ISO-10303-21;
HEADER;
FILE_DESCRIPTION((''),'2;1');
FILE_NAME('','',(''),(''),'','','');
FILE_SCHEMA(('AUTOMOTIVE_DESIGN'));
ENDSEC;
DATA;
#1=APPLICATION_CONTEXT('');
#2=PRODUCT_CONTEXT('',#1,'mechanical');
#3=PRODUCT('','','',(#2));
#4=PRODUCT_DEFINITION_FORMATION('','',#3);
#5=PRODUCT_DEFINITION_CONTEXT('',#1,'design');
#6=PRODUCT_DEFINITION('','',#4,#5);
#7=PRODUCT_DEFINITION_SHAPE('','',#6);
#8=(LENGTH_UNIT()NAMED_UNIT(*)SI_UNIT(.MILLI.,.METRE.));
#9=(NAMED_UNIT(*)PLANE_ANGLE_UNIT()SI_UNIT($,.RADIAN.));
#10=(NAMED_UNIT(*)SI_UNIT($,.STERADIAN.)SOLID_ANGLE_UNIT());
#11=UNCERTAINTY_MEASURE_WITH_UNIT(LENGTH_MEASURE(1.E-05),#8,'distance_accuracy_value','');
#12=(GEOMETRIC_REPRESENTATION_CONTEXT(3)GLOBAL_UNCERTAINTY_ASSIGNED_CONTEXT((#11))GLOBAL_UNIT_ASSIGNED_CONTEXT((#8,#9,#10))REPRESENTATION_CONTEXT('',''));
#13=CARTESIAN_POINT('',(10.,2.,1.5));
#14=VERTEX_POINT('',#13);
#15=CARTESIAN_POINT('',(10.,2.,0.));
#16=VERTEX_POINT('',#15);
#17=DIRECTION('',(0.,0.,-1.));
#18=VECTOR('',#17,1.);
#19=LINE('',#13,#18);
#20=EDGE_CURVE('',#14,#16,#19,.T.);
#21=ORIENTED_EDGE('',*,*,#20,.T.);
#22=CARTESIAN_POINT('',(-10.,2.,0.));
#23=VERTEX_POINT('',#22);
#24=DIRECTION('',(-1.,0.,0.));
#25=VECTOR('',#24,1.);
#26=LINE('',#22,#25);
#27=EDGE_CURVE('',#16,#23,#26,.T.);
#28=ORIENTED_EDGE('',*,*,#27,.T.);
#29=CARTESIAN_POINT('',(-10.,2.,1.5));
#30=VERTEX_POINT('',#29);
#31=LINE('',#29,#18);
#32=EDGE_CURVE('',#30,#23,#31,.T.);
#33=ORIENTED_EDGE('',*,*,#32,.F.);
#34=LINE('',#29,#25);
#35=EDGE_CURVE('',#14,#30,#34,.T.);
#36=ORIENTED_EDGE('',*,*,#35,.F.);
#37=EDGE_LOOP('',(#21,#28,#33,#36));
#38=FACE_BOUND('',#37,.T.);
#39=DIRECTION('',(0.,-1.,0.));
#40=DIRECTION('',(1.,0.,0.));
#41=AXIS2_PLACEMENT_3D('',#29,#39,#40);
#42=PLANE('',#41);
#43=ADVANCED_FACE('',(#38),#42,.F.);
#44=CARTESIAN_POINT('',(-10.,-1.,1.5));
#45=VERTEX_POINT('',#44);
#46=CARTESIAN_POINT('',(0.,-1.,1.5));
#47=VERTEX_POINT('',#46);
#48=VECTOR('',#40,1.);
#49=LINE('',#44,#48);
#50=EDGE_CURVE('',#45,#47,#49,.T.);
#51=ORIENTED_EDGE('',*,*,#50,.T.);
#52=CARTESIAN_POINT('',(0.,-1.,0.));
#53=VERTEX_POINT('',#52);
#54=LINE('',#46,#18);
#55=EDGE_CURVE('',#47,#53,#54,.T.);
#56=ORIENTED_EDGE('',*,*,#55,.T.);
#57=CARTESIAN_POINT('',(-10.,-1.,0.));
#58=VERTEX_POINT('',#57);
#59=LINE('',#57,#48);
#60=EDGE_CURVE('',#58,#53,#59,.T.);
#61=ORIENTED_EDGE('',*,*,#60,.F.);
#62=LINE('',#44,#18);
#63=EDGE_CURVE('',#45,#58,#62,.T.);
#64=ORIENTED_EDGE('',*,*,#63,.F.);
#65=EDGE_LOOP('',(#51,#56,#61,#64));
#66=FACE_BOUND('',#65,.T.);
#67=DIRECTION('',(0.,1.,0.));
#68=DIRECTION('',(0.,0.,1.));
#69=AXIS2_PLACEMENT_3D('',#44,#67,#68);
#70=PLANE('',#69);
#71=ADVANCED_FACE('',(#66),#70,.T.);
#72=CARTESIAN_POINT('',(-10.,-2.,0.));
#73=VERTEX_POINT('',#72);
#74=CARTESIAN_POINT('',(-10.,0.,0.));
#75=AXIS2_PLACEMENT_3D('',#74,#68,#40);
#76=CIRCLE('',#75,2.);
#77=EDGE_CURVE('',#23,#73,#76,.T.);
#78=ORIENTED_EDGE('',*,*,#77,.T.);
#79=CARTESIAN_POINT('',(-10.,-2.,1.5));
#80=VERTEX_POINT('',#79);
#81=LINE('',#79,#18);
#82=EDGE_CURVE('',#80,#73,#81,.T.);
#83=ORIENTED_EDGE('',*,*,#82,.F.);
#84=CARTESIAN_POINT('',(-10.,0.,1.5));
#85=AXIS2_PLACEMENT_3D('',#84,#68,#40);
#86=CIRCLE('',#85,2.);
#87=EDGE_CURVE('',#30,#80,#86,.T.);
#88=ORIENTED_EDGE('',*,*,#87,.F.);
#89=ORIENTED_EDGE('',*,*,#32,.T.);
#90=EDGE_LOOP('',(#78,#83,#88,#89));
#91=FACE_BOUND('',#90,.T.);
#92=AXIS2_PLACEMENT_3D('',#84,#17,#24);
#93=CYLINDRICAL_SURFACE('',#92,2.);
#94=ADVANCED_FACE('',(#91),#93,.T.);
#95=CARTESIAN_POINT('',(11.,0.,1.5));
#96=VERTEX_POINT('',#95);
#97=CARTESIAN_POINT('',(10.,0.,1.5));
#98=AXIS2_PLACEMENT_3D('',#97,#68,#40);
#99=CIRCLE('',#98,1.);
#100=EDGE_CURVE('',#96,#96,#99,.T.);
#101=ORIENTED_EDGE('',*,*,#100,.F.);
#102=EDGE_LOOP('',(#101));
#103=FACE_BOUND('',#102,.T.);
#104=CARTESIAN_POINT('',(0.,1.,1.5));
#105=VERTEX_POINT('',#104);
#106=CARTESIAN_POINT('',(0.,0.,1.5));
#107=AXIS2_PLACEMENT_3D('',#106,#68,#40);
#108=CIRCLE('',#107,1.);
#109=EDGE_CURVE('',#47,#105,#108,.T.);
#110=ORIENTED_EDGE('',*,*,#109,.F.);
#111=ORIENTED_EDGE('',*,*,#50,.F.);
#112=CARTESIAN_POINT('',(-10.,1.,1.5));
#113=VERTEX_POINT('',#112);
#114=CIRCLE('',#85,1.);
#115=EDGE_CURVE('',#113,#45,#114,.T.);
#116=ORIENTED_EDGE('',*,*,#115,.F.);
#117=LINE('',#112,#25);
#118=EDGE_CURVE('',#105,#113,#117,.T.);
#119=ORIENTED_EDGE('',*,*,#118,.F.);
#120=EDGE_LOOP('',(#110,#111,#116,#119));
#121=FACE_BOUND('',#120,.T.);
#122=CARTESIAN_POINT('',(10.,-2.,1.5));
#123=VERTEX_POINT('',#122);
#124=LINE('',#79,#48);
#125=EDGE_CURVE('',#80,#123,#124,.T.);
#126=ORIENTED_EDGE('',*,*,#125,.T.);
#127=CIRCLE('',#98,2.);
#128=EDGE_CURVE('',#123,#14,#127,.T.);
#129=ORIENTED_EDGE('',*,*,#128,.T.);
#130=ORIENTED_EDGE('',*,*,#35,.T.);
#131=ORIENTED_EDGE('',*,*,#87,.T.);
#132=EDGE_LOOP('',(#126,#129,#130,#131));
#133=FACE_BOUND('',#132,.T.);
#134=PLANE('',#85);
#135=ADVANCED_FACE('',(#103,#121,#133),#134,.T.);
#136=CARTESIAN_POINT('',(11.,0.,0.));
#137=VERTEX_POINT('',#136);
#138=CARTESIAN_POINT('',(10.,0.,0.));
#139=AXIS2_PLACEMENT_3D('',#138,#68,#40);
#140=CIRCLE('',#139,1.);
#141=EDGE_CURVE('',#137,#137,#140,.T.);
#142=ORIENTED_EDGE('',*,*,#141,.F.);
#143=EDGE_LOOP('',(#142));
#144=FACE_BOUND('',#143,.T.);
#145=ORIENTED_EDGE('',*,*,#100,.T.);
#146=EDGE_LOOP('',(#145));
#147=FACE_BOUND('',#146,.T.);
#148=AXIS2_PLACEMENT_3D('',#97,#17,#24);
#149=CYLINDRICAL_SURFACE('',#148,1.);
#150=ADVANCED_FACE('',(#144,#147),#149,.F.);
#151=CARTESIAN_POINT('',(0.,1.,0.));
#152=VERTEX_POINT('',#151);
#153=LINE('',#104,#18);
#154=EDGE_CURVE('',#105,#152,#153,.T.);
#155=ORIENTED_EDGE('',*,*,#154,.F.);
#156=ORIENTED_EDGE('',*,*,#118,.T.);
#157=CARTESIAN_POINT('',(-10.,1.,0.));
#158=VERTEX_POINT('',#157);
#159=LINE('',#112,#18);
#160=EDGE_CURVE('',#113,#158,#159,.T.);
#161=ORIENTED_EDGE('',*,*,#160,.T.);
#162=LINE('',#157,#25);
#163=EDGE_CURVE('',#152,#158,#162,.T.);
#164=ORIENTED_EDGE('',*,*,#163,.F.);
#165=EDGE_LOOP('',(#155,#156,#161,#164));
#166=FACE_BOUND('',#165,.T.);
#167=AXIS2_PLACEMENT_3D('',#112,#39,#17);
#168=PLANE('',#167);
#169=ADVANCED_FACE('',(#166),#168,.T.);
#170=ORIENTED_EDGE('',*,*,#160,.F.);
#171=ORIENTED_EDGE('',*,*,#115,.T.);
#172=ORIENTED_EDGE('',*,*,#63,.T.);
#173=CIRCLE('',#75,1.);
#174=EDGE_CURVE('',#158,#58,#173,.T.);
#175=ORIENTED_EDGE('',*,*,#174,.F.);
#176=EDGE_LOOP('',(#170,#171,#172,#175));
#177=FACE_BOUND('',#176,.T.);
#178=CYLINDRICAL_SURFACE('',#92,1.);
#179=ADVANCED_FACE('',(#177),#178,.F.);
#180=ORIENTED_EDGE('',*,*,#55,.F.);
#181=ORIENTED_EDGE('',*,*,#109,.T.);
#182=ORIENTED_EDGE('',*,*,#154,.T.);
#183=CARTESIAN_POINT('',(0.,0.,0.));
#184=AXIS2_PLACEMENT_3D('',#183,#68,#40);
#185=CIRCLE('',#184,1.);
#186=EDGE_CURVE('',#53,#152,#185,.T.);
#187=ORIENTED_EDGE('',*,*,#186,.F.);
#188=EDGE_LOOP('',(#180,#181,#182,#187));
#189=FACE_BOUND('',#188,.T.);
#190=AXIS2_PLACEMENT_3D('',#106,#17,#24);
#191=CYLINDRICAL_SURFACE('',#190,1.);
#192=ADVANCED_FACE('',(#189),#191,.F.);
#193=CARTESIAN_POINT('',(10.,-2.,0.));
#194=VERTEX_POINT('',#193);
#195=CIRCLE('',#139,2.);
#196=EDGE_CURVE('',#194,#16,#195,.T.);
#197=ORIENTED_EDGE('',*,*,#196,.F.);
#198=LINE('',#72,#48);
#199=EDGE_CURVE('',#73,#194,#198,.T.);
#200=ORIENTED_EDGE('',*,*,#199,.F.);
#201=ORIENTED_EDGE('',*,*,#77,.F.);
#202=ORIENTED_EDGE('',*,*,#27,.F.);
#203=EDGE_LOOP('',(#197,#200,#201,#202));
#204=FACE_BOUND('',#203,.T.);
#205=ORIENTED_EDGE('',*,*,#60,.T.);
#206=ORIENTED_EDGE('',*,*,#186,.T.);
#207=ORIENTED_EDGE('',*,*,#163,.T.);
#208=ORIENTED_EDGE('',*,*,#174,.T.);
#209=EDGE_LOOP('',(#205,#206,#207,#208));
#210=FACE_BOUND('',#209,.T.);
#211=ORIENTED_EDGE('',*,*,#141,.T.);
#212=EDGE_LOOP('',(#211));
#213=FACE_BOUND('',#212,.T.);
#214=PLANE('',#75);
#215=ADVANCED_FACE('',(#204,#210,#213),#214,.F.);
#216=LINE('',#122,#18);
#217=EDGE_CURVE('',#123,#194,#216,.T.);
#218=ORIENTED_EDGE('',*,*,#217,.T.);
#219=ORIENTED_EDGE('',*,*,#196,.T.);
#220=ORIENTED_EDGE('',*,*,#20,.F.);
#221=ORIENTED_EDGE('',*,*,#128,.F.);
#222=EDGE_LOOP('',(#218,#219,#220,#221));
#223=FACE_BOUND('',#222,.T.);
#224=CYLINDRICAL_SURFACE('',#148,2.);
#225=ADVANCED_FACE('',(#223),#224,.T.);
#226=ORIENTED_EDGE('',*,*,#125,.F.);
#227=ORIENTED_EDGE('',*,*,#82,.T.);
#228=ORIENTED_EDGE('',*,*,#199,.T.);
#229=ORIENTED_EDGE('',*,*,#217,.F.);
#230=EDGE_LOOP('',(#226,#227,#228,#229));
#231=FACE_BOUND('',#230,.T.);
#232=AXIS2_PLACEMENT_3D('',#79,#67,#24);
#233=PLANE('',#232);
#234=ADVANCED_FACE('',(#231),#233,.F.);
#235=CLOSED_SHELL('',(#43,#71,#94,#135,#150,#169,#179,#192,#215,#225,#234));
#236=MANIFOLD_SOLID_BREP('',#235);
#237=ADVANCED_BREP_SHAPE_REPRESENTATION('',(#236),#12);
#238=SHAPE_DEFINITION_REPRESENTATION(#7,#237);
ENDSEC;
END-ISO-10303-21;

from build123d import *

# Parameters (mm, degrees)
SKETCH1_R           = 1
BOSS_EXTRUDE1_DEPTH = 1.5


with BuildPart() as part:
    # Sketch1 → Boss-Extrude1 (new body)
    with BuildSketch(Plane.XY):
        with BuildLine():
            Line((-10, 2), (10, 2))
            ThreePointArc((10, 2), (12, 0), (10, -2))
            Line((10, -2), (-10, -2))
            ThreePointArc((-10, -2), (-12, 0), (-10, 2))
        make_face()
        with Locations((10, 0)):
            Circle(SKETCH1_R, mode=Mode.SUBTRACT)
        with BuildLine():
            Line((-10, 1), (0, 1))
            ThreePointArc((0, 1), (1, 0), (0, -1))
            Line((0, -1), (-10, -1))
            ThreePointArc((-10, -1), (-11, 0), (-10, 1))
        make_face(mode=Mode.SUBTRACT)
    extrude(amount=BOSS_EXTRUDE1_DEPTH)


solid = part.part
